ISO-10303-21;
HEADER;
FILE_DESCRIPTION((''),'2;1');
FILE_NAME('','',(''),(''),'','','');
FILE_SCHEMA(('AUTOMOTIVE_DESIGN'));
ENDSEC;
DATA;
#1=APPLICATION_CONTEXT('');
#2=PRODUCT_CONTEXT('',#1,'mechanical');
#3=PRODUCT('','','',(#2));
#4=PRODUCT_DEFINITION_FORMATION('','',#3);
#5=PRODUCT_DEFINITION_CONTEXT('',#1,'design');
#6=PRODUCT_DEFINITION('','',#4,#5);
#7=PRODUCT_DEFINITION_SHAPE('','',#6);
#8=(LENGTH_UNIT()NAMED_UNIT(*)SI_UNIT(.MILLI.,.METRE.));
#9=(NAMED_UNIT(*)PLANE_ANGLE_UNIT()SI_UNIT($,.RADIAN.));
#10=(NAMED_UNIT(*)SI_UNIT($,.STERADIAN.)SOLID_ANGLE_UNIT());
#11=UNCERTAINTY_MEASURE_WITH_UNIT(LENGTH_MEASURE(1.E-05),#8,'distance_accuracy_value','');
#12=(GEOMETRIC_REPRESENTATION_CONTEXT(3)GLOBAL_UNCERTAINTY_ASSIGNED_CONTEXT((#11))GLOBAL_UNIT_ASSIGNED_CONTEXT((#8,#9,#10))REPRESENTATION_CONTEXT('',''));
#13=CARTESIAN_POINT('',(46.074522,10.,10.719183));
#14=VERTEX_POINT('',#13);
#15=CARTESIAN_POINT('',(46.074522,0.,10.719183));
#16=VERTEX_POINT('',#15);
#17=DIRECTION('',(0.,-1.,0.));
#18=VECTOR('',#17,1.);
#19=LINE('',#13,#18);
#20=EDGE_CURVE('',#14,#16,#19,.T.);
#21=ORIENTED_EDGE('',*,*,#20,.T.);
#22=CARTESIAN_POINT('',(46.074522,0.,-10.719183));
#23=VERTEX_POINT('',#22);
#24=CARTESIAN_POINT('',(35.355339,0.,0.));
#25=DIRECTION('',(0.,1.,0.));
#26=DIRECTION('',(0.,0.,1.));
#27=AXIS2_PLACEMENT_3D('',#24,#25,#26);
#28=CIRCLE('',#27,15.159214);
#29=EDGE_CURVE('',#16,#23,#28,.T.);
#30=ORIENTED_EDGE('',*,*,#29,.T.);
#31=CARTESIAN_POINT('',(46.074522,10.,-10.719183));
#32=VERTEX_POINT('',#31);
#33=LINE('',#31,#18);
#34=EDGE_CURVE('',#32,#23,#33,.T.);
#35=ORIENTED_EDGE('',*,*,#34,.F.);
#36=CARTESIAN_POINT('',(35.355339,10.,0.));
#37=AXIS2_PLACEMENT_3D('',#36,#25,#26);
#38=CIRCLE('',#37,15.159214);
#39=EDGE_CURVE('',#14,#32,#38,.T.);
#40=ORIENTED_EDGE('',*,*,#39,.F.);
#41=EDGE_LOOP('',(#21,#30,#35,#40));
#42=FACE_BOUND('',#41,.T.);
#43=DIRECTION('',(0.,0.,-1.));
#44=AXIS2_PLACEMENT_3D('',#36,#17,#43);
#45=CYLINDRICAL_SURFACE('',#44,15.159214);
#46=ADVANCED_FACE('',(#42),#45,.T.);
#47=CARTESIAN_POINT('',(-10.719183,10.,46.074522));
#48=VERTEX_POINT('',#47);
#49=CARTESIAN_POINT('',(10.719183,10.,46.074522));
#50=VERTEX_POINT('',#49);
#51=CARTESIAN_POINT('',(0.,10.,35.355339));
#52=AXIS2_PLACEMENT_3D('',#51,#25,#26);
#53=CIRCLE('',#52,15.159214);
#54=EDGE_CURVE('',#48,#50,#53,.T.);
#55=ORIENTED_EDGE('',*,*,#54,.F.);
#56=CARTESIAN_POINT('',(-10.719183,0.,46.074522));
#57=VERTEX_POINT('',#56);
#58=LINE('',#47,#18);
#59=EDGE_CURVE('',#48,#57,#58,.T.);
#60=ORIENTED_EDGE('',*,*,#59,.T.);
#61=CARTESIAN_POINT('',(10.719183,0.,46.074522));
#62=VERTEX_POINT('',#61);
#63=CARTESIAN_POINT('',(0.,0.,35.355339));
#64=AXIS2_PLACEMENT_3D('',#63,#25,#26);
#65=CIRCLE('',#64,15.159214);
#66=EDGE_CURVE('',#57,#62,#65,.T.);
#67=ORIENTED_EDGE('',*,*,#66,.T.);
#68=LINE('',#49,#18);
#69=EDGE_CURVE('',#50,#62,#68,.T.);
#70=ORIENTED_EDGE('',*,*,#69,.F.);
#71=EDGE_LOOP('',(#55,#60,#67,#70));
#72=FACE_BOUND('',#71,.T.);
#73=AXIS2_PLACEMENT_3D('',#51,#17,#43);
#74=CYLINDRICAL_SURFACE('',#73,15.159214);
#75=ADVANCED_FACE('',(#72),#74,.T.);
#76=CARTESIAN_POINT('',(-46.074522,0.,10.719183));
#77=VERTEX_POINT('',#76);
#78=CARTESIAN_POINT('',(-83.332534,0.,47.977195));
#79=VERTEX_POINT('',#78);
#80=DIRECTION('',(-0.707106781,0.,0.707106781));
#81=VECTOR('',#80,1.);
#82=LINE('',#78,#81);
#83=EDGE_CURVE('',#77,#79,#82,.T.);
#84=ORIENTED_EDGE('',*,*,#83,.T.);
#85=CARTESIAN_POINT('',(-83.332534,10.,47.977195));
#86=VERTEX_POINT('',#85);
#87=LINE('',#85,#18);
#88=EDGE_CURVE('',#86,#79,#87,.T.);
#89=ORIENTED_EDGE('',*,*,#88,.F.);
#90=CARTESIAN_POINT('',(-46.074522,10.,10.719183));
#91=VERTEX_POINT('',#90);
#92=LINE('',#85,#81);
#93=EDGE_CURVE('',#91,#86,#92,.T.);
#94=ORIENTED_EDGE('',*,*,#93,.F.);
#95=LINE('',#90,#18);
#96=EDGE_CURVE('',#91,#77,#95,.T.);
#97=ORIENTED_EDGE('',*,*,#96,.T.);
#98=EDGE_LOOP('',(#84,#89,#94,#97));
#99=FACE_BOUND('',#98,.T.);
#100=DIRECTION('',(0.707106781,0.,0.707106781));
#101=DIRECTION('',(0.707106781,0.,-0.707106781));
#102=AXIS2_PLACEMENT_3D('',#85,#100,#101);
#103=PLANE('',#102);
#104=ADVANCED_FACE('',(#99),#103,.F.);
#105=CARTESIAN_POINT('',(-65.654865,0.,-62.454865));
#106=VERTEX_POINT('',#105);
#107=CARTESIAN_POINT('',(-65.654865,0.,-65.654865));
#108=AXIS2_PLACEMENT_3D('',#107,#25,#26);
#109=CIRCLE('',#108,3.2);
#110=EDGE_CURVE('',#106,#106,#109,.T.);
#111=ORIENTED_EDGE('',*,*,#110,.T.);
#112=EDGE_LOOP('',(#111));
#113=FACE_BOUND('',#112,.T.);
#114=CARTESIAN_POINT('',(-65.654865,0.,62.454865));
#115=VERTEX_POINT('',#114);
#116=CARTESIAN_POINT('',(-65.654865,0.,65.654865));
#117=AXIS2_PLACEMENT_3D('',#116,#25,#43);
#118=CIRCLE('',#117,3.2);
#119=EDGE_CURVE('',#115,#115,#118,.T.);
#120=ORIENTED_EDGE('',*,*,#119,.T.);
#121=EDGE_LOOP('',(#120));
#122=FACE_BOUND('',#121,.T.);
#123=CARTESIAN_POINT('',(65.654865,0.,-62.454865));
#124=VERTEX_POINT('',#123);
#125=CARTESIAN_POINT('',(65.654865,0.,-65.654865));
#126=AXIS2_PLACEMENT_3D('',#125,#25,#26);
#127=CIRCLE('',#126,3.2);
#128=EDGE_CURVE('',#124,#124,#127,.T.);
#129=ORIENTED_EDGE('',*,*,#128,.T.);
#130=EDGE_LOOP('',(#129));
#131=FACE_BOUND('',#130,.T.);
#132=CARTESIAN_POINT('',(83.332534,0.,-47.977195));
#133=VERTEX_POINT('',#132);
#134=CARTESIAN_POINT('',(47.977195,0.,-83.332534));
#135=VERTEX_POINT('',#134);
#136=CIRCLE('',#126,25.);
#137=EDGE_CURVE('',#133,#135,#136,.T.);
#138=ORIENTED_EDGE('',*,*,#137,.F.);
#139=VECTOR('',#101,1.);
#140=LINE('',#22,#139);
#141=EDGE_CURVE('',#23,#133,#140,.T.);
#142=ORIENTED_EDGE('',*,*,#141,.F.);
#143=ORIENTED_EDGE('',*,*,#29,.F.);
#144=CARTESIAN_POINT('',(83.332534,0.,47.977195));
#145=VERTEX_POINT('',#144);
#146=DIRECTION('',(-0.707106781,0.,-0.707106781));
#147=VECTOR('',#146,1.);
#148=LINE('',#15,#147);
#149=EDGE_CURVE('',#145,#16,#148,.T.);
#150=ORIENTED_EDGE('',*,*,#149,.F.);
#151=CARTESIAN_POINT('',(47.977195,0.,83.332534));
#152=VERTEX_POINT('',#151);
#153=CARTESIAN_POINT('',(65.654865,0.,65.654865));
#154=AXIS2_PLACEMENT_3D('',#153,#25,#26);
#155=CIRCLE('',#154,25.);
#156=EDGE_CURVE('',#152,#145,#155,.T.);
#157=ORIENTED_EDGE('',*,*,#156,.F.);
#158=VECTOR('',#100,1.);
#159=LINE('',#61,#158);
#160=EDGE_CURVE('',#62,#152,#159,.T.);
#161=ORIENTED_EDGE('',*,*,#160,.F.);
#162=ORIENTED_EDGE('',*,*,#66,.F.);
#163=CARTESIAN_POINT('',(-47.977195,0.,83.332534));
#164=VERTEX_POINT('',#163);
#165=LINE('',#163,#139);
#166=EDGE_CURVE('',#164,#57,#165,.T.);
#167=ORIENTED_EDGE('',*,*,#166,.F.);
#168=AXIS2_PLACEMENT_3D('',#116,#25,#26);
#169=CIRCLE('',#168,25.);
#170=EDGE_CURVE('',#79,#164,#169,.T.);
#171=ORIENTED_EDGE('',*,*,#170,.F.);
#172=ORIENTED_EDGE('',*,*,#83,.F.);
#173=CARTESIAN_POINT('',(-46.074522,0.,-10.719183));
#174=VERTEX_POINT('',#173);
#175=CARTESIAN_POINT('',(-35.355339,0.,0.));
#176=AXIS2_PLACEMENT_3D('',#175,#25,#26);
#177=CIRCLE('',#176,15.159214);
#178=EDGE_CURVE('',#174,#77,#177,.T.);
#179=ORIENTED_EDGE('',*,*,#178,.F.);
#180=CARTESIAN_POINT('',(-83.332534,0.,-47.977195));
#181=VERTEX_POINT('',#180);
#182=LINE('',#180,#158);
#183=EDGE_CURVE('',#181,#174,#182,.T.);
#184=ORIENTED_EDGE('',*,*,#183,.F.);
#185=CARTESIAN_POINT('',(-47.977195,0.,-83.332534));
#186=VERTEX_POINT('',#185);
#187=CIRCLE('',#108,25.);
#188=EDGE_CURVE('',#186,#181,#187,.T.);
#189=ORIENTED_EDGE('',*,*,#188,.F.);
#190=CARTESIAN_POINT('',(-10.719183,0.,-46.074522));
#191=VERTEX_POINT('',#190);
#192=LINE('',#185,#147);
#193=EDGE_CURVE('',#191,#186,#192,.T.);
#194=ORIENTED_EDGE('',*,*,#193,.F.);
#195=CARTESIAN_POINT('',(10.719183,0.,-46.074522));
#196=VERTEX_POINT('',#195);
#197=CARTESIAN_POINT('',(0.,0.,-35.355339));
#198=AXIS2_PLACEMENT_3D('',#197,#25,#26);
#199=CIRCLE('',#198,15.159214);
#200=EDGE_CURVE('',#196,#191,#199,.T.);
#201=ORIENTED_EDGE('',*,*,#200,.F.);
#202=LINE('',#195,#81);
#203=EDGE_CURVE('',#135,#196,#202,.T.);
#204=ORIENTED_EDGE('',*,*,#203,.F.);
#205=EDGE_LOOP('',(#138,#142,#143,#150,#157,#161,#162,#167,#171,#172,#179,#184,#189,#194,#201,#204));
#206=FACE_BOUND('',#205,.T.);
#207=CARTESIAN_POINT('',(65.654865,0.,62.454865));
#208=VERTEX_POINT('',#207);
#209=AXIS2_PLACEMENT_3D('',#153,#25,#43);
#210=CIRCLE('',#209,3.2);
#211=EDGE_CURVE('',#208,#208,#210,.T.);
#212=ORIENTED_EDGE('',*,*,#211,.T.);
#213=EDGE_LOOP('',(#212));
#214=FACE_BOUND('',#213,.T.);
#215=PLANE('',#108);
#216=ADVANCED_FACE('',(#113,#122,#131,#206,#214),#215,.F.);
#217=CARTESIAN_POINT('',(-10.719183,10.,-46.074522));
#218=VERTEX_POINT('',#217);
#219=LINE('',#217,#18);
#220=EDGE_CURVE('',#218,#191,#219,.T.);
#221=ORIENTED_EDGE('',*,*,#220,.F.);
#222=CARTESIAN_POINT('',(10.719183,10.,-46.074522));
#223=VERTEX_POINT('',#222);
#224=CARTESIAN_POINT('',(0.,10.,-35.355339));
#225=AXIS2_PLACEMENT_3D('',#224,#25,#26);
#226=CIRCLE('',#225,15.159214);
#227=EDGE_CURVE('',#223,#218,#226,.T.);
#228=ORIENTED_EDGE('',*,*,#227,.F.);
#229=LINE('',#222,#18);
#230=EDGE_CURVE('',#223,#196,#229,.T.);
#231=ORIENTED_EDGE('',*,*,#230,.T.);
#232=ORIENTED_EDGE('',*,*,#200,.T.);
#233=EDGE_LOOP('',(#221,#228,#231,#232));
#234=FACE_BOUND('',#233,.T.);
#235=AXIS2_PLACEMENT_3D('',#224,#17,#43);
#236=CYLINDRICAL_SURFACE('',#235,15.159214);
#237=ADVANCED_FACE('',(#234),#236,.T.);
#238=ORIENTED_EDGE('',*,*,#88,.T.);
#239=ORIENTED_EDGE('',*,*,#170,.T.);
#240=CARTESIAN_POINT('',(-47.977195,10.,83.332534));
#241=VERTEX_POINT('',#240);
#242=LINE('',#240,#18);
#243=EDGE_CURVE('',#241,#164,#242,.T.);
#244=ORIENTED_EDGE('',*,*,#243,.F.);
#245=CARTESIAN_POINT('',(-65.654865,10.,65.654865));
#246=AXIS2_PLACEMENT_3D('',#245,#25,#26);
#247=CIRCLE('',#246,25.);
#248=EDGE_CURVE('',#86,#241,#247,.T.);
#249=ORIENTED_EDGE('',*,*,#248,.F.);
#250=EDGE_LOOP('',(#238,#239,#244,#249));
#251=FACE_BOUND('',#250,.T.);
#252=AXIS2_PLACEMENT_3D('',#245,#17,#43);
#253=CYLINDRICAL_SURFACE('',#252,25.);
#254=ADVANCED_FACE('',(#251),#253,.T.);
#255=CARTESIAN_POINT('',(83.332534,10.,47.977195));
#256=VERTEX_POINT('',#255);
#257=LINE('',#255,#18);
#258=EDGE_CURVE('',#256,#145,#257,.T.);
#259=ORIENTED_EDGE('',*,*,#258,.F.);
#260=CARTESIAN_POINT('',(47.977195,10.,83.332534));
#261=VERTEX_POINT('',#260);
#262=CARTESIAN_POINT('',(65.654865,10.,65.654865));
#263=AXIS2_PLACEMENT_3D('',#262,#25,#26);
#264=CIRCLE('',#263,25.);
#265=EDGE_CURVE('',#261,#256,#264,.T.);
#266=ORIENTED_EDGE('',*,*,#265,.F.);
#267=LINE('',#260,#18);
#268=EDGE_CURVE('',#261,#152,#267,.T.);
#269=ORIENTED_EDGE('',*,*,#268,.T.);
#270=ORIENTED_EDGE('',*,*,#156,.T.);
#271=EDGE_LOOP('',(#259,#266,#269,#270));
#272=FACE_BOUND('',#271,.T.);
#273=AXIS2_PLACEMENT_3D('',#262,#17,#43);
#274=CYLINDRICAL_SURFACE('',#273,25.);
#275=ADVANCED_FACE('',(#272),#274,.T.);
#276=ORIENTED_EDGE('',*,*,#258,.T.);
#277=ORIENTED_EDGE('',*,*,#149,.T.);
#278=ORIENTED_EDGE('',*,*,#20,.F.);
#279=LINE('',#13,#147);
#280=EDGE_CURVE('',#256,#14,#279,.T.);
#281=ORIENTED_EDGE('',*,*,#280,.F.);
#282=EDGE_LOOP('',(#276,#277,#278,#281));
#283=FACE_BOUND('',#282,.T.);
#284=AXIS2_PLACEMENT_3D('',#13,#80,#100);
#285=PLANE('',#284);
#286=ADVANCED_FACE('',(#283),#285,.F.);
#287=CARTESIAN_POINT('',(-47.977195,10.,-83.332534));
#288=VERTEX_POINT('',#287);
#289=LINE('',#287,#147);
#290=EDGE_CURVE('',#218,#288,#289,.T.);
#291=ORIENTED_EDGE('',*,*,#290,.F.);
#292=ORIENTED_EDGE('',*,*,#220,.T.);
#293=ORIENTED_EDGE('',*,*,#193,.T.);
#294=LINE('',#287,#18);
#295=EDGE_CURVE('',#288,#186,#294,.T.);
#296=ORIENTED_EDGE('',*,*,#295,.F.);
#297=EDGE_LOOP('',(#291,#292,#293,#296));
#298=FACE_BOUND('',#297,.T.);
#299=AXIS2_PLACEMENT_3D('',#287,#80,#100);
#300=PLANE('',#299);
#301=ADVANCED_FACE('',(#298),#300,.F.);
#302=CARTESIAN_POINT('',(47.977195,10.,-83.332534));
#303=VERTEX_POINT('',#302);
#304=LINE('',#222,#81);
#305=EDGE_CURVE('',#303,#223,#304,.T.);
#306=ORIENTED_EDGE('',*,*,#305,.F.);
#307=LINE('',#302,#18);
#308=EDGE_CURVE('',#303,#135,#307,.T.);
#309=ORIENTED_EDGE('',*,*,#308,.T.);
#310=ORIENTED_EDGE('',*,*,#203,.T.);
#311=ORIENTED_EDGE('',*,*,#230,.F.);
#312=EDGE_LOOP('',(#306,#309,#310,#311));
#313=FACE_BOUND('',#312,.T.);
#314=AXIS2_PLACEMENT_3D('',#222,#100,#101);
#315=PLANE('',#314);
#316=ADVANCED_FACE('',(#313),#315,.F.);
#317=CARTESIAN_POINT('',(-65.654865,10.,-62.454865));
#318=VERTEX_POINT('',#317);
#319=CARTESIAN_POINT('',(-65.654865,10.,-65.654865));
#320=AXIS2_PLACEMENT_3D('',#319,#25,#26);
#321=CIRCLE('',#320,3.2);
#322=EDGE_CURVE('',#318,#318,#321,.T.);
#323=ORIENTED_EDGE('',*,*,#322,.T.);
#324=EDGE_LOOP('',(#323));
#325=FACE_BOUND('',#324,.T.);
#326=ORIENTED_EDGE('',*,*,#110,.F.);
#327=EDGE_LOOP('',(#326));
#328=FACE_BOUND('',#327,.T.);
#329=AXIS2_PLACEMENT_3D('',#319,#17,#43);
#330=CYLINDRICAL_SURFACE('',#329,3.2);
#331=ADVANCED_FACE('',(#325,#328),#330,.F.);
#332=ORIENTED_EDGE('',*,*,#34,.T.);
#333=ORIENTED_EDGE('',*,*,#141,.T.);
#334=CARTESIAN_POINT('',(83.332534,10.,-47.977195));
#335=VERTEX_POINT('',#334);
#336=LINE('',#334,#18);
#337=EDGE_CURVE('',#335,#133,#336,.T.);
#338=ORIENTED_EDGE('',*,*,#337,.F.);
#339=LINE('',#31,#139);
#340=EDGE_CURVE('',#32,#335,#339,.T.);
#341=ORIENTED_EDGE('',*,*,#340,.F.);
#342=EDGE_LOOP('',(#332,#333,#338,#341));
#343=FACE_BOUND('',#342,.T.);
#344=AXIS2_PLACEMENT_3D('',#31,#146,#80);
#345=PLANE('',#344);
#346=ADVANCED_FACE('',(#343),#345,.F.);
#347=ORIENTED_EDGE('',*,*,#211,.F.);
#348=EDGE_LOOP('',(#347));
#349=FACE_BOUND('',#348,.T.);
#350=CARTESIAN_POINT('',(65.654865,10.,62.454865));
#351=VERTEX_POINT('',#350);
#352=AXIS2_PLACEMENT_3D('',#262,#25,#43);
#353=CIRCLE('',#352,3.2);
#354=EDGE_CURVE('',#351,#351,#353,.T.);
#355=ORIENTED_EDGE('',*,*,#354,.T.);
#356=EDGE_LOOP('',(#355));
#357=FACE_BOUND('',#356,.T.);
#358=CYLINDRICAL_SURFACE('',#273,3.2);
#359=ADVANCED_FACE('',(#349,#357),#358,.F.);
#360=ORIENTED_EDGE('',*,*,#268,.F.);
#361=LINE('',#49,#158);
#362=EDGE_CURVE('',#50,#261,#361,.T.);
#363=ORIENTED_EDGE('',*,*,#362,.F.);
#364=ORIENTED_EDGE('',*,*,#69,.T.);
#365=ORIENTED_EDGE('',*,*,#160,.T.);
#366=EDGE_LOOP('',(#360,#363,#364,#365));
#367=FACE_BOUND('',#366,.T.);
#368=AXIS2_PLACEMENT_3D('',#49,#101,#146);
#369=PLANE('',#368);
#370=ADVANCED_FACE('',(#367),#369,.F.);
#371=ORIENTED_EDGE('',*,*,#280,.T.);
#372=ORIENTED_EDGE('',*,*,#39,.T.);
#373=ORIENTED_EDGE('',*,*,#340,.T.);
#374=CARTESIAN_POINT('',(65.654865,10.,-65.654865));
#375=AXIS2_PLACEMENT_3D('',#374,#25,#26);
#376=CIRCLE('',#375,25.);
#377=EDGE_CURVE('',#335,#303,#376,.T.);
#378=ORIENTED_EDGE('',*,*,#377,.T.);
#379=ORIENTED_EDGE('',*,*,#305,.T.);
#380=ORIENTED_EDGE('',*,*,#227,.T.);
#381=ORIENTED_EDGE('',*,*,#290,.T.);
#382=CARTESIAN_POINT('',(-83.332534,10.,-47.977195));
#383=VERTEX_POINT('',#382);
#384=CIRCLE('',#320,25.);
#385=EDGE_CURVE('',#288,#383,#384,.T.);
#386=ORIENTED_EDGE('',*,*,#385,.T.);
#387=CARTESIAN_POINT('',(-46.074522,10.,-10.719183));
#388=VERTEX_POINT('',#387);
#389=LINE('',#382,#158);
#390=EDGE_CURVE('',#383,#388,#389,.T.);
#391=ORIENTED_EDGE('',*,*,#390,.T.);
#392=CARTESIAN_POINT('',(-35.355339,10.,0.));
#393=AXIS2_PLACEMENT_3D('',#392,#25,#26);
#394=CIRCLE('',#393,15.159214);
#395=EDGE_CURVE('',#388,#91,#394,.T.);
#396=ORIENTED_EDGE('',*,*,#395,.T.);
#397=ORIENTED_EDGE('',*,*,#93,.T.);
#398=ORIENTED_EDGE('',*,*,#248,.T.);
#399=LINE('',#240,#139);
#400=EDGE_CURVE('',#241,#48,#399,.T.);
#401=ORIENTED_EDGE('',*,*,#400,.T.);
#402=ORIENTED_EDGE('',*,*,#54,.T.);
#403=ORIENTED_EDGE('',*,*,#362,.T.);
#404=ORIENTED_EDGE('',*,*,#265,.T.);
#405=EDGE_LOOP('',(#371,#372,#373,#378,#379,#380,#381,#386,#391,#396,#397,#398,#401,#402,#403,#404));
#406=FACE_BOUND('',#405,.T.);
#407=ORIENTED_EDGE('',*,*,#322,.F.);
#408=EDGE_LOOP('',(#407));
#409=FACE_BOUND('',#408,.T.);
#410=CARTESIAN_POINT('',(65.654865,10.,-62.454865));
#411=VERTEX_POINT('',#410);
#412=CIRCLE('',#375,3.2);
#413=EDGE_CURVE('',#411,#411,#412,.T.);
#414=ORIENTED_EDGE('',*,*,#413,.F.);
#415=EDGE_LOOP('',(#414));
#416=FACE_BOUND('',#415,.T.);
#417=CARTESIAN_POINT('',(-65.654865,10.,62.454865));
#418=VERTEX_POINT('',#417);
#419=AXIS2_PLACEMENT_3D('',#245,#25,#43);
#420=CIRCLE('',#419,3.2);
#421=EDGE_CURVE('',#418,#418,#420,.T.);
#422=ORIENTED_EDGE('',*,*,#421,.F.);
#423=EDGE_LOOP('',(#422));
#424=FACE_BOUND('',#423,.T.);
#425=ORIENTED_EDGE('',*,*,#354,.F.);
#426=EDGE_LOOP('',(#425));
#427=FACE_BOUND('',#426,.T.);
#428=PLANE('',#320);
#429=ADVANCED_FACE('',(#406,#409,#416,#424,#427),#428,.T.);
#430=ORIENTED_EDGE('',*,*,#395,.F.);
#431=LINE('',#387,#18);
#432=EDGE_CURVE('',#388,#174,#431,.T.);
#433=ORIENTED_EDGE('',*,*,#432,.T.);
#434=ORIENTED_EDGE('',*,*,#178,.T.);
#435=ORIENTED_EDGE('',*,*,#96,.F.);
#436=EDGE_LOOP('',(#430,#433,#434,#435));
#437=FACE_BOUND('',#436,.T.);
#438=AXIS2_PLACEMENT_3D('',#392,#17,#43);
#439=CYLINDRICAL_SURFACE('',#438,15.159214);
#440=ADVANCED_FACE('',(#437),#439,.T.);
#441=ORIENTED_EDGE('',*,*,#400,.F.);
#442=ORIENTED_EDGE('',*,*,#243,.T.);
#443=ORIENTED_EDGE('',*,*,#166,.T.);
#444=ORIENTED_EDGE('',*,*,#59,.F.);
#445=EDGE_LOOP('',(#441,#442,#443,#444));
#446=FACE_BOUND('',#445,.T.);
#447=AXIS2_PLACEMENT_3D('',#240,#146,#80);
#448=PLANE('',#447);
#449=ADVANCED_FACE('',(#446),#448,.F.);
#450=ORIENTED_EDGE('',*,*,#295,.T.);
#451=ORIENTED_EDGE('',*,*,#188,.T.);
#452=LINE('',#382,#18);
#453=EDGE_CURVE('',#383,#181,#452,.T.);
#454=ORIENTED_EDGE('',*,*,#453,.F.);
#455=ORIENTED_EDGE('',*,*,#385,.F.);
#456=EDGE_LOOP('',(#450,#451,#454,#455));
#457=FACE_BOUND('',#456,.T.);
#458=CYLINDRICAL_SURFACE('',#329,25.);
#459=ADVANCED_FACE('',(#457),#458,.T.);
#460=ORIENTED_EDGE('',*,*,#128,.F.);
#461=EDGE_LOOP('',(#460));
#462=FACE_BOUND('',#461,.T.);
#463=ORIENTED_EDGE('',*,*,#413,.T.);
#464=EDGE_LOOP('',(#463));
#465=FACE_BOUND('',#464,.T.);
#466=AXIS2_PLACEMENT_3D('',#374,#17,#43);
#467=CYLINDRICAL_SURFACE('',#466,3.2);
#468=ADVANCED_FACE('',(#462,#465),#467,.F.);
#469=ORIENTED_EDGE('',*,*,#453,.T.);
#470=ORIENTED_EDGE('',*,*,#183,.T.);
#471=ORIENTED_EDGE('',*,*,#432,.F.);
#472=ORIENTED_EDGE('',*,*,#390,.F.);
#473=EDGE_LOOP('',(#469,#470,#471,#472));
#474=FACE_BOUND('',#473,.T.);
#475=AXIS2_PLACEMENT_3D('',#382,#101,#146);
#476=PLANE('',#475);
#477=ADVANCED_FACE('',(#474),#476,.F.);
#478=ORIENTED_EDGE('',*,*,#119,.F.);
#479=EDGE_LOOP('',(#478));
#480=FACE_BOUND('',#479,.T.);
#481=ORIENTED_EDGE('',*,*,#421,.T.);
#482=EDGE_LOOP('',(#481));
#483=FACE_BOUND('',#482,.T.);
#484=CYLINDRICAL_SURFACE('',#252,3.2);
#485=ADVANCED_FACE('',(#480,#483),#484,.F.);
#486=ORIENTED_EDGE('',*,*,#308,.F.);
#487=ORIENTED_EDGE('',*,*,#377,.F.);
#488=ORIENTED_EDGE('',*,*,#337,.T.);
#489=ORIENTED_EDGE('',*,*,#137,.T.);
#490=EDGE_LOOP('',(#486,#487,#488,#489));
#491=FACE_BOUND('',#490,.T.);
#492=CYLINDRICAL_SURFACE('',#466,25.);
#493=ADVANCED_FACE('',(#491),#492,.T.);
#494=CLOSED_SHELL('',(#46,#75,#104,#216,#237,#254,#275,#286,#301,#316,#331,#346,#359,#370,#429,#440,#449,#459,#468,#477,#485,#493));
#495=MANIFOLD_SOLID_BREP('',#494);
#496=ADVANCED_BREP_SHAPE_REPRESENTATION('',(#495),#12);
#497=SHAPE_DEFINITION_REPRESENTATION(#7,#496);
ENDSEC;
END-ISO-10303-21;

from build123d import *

# Parameters (mm, degrees)
SKETCH1_R           = 3.2
BOSS_EXTRUDE1_DEPTH = 10


with BuildPart() as part:
    # Sketch1 → Boss-Extrude1 (new body)
    with BuildSketch(Plane(origin=(0, 0, 0), x_dir=(1, 0, 0), z_dir=(0, 1, 0))):
        with BuildLine():
            Line((-47.977195104, 83.332534163), (-10.719183363, 46.074522422))
            ThreePointArc((-10.719183363, 46.074522422), (0, 50.514553548), (10.719183363, 46.074522422))
            Line((10.719183363, 46.074522422), (47.977195104, 83.332534163))
            ThreePointArc((47.977195104, 83.332534163), (83.332534163, 83.332534163), (83.332534163, 47.977195104))
            Line((83.332534163, 47.977195104), (46.074522422, 10.719183363))
            ThreePointArc((46.074522422, 10.719183363), (50.514553548, 0), (46.074522422, -10.719183363))
            Line((46.074522422, -10.719183363), (83.332534163, -47.977195104))
            ThreePointArc((83.332534163, -47.977195104), (83.332534163, -83.332534163), (47.977195104, -83.332534163))
            Line((47.977195104, -83.332534163), (10.719183363, -46.074522422))
            ThreePointArc((10.719183363, -46.074522422), (0, -50.514553548), (-10.719183363, -46.074522422))
            Line((-10.719183363, -46.074522422), (-47.977195104, -83.332534163))
            ThreePointArc((-47.977195104, -83.332534163), (-83.332534163, -83.332534163), (-83.332534163, -47.977195104))
            Line((-83.332534163, -47.977195104), (-46.074522422, -10.719183363))
            ThreePointArc((-46.074522422, -10.719183363), (-50.514553548, 0), (-46.074522422, 10.719183363))
            Line((-46.074522422, 10.719183363), (-83.332534163, 47.977195104))
            ThreePointArc((-83.332534163, 47.977195104), (-83.332534163, 83.332534163), (-47.977195104, 83.332534163))
        make_face()
        with Locations((-65.654864633, 65.654864633)):
            Circle(SKETCH1_R, mode=Mode.SUBTRACT)
        with Locations((65.654864633, -65.654864633)):
            Circle(SKETCH1_R, mode=Mode.SUBTRACT)
        with Locations((65.654864633, 65.654864633)):
            Circle(SKETCH1_R, mode=Mode.SUBTRACT)
        with Locations((-65.654864633, -65.654864633)):
            Circle(SKETCH1_R, mode=Mode.SUBTRACT)
    extrude(amount=BOSS_EXTRUDE1_DEPTH)


solid = part.part
